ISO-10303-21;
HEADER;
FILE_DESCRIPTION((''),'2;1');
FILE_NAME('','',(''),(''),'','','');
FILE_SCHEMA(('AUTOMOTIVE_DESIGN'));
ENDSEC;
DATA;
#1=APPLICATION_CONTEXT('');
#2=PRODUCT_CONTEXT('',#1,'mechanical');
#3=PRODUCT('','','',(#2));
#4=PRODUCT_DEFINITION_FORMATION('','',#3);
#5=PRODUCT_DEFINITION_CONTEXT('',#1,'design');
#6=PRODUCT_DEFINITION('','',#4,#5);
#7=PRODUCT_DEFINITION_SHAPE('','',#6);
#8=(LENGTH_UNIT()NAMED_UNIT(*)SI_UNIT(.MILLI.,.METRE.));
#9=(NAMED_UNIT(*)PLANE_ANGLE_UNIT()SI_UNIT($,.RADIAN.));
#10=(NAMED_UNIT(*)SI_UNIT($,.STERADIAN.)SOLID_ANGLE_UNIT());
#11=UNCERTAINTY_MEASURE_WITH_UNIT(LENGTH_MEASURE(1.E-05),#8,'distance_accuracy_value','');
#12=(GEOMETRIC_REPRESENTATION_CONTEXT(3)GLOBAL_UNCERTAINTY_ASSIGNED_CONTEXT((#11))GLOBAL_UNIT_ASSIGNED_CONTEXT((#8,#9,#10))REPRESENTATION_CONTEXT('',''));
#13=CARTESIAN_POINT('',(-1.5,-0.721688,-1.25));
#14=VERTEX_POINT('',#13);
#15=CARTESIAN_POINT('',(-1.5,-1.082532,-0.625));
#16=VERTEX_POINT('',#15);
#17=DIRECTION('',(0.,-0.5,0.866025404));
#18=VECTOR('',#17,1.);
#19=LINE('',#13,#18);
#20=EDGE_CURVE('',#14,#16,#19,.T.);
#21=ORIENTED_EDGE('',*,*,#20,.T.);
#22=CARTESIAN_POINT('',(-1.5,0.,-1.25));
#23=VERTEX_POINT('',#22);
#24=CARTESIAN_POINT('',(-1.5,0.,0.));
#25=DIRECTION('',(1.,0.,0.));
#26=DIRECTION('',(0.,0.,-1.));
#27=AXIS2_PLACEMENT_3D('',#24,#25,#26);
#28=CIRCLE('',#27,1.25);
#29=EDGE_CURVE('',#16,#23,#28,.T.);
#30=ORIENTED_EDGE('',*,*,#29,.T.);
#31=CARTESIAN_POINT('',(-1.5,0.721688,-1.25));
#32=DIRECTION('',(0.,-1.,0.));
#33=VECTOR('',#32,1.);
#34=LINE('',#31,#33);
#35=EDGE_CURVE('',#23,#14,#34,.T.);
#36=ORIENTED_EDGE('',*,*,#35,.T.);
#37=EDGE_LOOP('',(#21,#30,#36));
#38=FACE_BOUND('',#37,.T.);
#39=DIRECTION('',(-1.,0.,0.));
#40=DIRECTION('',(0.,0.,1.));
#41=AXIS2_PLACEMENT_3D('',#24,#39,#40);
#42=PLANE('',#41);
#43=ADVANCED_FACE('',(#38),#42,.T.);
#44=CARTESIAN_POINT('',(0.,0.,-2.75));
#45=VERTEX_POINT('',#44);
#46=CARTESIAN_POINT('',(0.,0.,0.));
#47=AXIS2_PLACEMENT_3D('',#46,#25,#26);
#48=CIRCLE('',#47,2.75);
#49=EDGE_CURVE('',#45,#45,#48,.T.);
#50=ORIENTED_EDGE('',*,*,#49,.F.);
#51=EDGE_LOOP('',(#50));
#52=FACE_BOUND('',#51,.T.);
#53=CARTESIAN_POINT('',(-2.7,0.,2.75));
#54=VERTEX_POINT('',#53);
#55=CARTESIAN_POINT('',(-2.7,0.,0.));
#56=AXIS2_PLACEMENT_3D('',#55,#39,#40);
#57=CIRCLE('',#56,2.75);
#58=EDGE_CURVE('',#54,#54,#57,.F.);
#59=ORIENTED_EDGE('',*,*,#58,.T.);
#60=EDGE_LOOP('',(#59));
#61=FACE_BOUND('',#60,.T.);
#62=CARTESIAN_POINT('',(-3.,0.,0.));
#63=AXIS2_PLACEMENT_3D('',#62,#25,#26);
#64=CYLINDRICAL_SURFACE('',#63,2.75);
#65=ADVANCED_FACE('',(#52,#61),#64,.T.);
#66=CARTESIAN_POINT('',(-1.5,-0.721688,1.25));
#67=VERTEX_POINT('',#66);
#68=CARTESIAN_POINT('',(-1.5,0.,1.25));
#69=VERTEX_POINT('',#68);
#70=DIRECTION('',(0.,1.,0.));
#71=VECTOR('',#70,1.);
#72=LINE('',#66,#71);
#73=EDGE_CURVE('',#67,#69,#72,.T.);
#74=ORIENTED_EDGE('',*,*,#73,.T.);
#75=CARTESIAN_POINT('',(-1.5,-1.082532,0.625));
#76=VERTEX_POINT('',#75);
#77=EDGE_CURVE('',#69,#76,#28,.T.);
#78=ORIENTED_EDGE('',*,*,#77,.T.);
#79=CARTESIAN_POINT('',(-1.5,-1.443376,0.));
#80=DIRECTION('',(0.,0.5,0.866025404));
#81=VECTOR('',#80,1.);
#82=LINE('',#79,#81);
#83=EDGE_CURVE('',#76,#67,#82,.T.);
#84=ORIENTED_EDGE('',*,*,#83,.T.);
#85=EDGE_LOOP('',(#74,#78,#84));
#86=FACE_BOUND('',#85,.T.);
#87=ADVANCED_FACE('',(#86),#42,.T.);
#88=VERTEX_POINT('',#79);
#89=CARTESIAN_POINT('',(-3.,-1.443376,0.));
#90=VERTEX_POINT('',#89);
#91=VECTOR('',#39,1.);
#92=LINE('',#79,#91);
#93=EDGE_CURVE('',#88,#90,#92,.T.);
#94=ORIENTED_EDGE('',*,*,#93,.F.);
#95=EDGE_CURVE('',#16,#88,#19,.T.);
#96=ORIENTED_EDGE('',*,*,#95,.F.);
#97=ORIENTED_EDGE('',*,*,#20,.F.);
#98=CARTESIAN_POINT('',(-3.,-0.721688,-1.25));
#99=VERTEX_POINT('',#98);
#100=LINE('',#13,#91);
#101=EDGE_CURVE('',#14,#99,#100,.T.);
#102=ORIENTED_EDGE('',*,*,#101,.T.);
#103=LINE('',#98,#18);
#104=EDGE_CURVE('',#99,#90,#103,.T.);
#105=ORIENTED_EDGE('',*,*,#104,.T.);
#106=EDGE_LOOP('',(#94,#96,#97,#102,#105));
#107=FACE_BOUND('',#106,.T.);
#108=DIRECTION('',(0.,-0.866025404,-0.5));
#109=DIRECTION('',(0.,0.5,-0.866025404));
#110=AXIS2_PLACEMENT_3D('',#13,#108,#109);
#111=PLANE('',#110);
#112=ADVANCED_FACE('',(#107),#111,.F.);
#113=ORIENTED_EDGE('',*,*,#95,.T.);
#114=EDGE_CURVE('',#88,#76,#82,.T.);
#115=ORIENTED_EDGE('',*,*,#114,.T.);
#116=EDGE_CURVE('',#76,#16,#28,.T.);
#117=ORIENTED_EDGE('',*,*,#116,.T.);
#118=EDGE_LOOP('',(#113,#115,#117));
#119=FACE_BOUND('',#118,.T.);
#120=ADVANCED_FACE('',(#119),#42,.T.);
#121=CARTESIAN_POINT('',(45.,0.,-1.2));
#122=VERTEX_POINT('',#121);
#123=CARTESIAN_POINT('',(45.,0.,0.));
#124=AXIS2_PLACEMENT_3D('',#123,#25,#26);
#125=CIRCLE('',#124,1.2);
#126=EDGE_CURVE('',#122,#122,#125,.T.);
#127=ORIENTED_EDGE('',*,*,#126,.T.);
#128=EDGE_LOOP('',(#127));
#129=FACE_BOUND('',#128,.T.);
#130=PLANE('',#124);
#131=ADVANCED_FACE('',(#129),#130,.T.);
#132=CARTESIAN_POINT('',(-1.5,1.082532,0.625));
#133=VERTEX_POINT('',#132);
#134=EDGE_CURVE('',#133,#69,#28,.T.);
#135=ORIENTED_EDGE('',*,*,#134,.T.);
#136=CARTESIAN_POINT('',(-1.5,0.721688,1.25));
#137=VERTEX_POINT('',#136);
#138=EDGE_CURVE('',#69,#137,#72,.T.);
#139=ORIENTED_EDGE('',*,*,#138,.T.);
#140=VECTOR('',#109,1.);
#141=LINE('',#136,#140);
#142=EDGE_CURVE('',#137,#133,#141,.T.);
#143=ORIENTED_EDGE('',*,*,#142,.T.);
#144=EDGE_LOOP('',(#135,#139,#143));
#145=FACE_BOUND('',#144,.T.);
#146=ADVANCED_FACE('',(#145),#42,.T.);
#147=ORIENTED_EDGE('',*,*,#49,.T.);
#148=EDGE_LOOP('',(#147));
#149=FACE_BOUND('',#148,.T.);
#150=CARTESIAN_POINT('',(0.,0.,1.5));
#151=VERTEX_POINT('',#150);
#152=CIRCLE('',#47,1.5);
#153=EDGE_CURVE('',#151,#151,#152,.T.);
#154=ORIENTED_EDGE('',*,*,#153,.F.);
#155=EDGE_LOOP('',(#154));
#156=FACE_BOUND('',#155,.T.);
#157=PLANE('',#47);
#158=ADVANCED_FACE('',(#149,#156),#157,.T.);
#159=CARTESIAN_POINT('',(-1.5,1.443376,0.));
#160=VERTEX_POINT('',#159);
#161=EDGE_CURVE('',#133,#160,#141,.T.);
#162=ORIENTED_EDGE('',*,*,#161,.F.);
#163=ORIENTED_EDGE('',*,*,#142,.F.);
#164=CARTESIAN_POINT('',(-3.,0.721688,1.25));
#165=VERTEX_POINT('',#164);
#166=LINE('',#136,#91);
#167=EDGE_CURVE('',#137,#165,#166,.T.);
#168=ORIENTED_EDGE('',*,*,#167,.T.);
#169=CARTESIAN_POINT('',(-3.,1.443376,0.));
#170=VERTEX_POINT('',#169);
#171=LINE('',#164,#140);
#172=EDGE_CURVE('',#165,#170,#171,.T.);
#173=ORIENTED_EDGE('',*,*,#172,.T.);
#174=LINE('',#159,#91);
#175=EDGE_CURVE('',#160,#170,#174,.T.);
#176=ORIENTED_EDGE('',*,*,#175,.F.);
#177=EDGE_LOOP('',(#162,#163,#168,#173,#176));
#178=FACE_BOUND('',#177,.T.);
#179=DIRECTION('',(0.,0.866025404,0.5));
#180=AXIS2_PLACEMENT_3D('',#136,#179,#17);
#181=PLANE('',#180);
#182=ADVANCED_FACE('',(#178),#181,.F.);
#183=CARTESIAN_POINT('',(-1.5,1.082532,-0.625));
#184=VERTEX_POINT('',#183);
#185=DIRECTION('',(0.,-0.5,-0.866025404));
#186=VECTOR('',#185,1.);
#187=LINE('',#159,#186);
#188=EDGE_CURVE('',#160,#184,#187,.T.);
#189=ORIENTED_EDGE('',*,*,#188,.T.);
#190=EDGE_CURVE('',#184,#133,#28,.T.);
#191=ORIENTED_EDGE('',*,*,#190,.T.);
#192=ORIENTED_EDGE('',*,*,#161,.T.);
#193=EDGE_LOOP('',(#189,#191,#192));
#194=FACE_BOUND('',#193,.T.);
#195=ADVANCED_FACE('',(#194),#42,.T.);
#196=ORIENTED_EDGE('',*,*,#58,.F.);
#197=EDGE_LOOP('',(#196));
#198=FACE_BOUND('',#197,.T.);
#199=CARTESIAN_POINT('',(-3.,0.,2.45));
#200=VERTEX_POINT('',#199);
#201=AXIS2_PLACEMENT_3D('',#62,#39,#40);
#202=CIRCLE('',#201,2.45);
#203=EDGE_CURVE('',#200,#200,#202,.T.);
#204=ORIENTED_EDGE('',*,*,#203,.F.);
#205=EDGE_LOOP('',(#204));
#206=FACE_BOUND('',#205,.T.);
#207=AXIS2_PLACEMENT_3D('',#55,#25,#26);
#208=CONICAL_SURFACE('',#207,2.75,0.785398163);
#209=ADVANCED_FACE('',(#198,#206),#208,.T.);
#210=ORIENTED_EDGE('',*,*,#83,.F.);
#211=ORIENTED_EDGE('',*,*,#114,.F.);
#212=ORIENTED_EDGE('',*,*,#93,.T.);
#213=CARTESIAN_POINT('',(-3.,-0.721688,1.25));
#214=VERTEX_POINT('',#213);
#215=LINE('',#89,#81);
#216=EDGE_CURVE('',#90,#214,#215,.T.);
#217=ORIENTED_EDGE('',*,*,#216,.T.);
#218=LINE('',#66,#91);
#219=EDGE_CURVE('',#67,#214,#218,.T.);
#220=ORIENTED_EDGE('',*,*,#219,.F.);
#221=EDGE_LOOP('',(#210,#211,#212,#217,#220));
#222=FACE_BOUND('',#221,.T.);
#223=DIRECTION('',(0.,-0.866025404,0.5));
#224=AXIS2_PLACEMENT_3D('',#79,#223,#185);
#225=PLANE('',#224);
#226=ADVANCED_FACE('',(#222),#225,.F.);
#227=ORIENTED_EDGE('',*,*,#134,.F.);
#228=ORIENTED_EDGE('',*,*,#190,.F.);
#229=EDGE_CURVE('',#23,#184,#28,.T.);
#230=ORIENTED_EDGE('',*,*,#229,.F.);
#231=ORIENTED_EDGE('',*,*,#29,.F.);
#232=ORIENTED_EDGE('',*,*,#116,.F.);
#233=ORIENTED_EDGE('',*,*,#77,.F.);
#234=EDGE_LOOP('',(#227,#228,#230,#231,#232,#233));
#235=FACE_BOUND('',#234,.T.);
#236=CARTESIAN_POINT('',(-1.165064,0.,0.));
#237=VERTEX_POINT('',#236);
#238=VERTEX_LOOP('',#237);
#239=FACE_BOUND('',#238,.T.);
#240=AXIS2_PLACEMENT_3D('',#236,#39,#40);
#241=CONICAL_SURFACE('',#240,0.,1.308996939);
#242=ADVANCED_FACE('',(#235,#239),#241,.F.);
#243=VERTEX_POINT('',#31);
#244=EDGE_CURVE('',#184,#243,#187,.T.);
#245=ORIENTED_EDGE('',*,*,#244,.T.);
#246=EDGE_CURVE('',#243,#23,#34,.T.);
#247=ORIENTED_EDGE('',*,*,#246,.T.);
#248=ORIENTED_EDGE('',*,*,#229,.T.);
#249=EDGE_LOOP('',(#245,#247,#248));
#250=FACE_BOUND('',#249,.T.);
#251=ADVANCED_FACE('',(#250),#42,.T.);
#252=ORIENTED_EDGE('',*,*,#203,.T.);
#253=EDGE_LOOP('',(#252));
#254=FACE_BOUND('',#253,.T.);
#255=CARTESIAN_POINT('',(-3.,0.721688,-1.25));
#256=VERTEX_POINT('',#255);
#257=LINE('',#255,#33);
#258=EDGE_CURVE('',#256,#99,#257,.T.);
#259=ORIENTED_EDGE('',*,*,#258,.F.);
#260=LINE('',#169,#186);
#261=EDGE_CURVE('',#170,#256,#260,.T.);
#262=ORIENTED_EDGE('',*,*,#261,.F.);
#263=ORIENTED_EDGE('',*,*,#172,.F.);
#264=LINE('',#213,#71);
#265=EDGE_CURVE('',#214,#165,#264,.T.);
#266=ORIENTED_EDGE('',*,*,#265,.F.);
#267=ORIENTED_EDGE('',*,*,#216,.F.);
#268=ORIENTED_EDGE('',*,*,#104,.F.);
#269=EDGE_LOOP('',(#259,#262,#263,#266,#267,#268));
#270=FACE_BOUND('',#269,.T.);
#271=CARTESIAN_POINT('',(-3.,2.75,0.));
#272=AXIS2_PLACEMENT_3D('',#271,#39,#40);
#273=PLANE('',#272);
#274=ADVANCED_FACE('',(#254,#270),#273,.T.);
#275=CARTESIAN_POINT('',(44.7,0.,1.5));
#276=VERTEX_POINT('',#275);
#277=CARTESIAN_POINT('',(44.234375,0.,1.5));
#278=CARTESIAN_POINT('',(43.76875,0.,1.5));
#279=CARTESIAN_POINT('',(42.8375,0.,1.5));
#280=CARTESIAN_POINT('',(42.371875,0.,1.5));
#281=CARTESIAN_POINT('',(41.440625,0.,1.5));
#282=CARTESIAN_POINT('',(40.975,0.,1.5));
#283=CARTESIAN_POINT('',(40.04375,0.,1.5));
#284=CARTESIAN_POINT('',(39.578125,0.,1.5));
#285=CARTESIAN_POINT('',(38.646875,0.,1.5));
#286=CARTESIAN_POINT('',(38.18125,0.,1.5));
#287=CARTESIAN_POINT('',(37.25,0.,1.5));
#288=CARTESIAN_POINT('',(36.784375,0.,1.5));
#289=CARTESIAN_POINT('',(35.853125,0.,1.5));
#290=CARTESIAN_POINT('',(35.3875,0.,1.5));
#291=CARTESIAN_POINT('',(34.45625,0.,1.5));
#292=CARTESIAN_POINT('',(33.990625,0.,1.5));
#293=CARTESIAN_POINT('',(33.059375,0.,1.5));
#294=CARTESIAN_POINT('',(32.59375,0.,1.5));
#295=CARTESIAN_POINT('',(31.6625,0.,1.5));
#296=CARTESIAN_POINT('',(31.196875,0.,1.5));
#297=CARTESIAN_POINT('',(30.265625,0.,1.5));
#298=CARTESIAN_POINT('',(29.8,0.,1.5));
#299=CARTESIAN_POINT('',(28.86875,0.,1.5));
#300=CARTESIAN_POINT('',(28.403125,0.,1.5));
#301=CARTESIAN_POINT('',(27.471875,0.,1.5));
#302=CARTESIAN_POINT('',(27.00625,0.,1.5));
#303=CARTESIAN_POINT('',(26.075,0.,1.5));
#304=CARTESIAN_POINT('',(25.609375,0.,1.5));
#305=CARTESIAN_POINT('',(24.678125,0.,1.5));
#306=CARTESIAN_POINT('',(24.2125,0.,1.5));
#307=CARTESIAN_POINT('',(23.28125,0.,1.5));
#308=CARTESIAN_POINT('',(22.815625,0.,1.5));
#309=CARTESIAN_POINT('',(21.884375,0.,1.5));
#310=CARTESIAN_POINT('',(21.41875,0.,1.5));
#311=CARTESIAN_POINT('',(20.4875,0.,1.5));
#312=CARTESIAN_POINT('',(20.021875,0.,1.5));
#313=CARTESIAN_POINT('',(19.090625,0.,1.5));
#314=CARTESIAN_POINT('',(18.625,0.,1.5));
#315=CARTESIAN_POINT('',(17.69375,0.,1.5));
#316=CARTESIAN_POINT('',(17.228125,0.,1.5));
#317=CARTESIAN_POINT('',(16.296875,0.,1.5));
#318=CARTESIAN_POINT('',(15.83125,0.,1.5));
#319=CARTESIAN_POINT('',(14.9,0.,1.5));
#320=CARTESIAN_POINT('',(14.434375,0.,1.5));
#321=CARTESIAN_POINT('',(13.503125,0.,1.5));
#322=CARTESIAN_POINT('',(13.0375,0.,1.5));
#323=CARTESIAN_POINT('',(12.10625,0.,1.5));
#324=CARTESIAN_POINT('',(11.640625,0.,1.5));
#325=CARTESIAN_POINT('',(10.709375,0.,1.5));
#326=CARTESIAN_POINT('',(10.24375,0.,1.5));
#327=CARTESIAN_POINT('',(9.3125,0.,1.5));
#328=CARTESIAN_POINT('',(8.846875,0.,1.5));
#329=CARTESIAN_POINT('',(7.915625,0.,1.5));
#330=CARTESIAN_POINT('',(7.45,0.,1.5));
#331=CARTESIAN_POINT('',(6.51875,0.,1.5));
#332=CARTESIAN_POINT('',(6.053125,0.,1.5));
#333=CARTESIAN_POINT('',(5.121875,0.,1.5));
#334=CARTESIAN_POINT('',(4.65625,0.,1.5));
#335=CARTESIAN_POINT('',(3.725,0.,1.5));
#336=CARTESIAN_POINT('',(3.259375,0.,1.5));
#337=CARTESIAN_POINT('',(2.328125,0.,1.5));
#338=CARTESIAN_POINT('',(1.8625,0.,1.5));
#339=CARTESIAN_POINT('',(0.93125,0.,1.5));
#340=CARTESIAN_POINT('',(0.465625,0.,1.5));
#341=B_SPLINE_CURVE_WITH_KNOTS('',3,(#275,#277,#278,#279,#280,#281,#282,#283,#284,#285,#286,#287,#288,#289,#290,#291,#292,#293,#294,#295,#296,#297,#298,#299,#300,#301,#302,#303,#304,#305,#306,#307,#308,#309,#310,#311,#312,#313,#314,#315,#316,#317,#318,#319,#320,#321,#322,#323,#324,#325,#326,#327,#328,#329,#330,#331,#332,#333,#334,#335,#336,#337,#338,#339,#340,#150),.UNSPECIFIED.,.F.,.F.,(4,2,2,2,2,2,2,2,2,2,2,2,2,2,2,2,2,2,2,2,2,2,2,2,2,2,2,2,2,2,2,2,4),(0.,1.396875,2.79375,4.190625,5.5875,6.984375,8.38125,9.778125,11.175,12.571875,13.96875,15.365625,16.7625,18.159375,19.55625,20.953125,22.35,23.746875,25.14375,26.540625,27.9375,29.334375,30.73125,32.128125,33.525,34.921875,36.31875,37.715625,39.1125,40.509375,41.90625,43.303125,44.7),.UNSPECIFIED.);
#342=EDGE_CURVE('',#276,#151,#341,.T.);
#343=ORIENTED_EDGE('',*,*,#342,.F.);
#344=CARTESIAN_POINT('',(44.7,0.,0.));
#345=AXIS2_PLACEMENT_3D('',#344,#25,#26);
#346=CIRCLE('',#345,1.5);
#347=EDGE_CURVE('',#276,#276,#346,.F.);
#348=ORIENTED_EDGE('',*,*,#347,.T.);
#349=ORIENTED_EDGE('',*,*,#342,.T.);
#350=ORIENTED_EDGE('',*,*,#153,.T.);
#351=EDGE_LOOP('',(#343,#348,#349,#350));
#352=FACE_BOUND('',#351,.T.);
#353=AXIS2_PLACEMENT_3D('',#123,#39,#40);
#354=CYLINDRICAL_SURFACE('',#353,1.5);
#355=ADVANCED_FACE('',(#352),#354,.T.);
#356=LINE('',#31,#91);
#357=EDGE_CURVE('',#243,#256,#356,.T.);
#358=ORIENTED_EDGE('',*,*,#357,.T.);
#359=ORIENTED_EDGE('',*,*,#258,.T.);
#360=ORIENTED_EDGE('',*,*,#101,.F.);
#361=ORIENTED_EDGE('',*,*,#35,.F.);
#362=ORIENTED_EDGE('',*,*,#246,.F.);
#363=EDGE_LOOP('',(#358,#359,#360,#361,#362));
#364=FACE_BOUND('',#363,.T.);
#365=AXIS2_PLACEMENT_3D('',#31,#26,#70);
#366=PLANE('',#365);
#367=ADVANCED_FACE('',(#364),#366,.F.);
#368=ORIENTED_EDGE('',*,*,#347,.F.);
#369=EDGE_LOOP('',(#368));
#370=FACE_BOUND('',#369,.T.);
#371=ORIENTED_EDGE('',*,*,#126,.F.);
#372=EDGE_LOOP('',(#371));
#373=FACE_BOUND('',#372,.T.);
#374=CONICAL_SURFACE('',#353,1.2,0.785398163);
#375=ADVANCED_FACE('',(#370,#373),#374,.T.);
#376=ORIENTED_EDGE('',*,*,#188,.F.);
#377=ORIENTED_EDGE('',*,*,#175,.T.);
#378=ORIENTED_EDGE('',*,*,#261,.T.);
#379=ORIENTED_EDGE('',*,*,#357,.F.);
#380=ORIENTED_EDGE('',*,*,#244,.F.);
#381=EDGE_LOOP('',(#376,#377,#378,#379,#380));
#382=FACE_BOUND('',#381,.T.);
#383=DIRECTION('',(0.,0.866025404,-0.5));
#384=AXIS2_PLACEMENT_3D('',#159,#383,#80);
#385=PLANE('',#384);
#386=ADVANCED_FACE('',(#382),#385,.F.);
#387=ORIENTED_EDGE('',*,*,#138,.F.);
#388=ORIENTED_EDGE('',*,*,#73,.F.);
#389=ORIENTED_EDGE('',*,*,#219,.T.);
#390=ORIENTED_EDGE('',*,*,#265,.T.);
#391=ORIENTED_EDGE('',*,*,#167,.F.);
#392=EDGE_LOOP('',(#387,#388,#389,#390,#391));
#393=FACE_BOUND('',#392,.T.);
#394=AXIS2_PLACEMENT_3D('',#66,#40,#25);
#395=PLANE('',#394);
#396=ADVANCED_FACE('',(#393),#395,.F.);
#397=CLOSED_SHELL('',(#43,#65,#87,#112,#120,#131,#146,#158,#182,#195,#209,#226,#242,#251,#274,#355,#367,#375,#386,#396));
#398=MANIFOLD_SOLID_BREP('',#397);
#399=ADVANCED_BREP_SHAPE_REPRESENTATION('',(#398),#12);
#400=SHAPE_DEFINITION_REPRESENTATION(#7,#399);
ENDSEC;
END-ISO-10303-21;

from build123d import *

# Parameters (mm, degrees)
SKETCH1_W           = 3
SKETCH1_H           = 2.75
SKETCH2_R           = 1.5
BOSS_EXTRUDE1_DEPTH = 45
CUT_EXTRUDE1_DEPTH  = 1.5
CHAMFER1_SIZE       = 0.3


with BuildPart() as part:
    # Sketch1 → Revolve1 (revolve)
    with BuildSketch(Plane.XY, mode=Mode.PRIVATE) as revolve1_sk:
        with Locations((-1.5, 1.375)):
            Rectangle(SKETCH1_W, SKETCH1_H)
    revolve(revolve1_sk.sketch.rotate(Axis((-3, 0, 0), (1, 0, 0)), 270), axis=Axis((-3, 0, 0), (1, 0, 0)))

    # Sketch2 → Boss-Extrude1 (add)
    with BuildSketch(Plane(origin=(0, 0, 0), x_dir=(0, 0, -1), z_dir=(1, 0, 0))):
        with Locations(Location((0, 0, 0), (0, 0, 180))):
            Circle(SKETCH2_R)
    extrude(amount=BOSS_EXTRUDE1_DEPTH)

    # Sketch3 → Cut-Extrude1 (cut)
    with BuildSketch(Plane.ZY.offset(3)):
        Polygon((1.25, -0.721687836), (1.25, 0.721687836), (0, 1.443375673), (-1.25, 0.721687836), (-1.25, -0.721687836), (0, -1.443375673), align=None)
    extrude(amount=-CUT_EXTRUDE1_DEPTH, mode=Mode.SUBTRACT)

    # Sketch4 → Cut-Revolve1 (revolve, cut)
    with BuildSketch(Plane.XY, mode=Mode.PRIVATE) as cut_revolve1_sk:
        Polygon((-1.5, 1.25), (-1.5, 0), (-1.165063509, 0), align=None)
    revolve(cut_revolve1_sk.sketch.rotate(Axis((-1.500025, 0, 0), (1, 0, 0)), 90), axis=Axis((-1.500025, 0, 0), (1, 0, 0)), mode=Mode.SUBTRACT)

    # Chamfer1
    chamfer1_edges = [part.edges().sort_by_distance(p)[0] for p in [
        (-3, 0, 2.75),
        (45, 0, -1.5),
    ]]
    chamfer(chamfer1_edges, length=CHAMFER1_SIZE)


solid = part.part
